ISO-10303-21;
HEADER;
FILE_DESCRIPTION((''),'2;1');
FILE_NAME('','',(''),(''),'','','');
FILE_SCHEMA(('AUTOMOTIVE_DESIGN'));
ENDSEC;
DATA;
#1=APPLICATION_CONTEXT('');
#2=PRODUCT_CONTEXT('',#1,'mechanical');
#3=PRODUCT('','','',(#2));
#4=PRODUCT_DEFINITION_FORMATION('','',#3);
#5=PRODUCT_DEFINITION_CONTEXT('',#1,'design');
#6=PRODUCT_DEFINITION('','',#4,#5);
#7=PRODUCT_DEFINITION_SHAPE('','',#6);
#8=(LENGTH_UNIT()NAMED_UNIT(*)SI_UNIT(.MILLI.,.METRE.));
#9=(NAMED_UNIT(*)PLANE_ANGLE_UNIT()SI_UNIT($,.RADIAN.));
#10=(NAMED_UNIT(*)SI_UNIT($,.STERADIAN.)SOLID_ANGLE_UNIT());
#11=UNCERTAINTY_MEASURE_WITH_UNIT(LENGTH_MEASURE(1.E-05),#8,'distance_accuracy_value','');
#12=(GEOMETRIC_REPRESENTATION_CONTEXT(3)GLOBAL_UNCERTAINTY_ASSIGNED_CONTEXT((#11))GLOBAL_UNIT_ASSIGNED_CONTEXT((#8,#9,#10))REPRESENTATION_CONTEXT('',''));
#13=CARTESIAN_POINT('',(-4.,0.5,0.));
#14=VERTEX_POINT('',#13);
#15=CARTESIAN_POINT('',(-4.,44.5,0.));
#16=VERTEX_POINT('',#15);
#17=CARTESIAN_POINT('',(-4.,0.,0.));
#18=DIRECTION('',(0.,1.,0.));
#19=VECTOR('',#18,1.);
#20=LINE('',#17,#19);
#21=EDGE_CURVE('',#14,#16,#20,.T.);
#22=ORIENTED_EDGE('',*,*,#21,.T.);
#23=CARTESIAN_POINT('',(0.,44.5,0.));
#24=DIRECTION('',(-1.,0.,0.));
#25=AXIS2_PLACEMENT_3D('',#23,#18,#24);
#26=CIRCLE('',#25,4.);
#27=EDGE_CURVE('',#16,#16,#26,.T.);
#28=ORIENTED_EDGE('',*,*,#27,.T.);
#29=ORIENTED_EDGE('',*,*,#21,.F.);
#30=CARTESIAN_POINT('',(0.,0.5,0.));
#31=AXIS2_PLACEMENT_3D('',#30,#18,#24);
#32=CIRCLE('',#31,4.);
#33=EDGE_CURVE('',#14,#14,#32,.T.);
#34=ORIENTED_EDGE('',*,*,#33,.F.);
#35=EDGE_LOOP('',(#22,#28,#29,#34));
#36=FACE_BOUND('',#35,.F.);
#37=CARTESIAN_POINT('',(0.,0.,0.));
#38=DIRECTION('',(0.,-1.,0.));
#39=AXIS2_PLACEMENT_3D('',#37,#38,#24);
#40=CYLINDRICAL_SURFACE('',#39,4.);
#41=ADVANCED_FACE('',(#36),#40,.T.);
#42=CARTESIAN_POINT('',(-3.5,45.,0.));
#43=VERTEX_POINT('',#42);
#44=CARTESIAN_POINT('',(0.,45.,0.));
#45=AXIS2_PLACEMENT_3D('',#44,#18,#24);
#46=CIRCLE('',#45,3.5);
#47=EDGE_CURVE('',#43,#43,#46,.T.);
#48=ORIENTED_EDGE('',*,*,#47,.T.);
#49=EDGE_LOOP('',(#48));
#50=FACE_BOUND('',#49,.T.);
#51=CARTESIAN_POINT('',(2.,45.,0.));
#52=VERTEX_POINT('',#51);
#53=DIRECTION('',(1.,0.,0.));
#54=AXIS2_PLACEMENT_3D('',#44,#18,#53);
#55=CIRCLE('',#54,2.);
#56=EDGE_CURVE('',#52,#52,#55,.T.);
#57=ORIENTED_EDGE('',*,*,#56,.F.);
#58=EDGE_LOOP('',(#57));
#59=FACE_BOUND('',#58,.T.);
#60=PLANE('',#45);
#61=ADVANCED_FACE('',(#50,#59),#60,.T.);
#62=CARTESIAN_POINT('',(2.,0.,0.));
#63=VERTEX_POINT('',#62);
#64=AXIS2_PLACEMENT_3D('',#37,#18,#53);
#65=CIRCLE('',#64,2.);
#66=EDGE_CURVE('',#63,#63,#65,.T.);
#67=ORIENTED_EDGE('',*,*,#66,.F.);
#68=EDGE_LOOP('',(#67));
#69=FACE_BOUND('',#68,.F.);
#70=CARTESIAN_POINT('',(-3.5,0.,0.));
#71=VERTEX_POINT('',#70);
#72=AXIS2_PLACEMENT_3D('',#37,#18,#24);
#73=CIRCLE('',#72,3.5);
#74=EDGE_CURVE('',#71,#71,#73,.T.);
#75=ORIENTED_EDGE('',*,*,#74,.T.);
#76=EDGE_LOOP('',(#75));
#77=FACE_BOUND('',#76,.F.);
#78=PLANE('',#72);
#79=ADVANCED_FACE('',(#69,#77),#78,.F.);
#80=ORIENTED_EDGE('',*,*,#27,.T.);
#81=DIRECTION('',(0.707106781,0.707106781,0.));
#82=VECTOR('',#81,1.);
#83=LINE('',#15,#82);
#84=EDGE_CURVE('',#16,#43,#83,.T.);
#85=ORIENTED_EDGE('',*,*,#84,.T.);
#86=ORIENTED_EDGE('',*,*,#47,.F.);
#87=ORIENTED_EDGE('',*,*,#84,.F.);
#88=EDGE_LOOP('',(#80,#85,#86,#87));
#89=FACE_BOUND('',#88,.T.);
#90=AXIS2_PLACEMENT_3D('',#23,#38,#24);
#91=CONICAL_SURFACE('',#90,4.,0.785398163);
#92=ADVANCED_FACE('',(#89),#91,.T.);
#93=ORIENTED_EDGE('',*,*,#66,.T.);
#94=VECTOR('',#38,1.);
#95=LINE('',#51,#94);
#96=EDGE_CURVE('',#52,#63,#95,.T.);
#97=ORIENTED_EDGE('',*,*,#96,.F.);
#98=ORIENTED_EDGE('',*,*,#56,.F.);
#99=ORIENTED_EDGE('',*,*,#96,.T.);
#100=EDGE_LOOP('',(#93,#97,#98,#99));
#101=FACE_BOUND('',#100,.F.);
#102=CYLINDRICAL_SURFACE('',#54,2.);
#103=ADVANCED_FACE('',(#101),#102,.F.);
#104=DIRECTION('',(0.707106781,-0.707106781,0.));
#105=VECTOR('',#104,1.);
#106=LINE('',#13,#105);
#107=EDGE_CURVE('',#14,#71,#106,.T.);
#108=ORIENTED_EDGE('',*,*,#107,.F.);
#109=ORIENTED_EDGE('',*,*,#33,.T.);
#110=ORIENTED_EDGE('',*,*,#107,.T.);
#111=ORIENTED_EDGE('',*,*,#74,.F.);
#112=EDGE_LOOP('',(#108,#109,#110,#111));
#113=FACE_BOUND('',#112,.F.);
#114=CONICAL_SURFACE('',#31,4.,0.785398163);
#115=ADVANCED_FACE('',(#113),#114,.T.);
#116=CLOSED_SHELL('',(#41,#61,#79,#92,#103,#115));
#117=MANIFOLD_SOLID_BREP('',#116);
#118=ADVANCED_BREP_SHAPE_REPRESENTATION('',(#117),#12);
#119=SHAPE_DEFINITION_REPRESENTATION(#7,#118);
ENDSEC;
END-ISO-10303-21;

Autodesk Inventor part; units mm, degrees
ref_plane "YZ Plane" through (0, 0, 0) normal (1, 0, 0) x (0, 1, 0)
ref_plane "XZ Plane" through (0, 0, 0) normal (0, 1, 0) x (-1, 0, 0)
ref_plane "XY Plane" through (0, 0, 0) normal (0, 0, 1) x (1, 0, 0)
sketch "Sketch1" plane through (0, 0, 0) normal (0, 1, 0) x (-1, 0, 0)
  circle A0 centre (0, 0) radius 4
  dimension "d0" = 8
extrude "Extrusion1" add sketch "Sketch1" along normal blind 45
chamfer "Chamfer1" distance 0.5 angle 45 2 edges at (4, 45, 0) (4, 0, 0)
sketch "Sketch2" plane through (0, 45, 0) normal (0, 1, 0) x (1, 0, 0)
  circle A0 centre (0, 0) radius 2
  dimension "d6" = 4
extrude "Extrusion2" cut sketch "Sketch2" against normal blind 45
properties part number "pin_8_45"
